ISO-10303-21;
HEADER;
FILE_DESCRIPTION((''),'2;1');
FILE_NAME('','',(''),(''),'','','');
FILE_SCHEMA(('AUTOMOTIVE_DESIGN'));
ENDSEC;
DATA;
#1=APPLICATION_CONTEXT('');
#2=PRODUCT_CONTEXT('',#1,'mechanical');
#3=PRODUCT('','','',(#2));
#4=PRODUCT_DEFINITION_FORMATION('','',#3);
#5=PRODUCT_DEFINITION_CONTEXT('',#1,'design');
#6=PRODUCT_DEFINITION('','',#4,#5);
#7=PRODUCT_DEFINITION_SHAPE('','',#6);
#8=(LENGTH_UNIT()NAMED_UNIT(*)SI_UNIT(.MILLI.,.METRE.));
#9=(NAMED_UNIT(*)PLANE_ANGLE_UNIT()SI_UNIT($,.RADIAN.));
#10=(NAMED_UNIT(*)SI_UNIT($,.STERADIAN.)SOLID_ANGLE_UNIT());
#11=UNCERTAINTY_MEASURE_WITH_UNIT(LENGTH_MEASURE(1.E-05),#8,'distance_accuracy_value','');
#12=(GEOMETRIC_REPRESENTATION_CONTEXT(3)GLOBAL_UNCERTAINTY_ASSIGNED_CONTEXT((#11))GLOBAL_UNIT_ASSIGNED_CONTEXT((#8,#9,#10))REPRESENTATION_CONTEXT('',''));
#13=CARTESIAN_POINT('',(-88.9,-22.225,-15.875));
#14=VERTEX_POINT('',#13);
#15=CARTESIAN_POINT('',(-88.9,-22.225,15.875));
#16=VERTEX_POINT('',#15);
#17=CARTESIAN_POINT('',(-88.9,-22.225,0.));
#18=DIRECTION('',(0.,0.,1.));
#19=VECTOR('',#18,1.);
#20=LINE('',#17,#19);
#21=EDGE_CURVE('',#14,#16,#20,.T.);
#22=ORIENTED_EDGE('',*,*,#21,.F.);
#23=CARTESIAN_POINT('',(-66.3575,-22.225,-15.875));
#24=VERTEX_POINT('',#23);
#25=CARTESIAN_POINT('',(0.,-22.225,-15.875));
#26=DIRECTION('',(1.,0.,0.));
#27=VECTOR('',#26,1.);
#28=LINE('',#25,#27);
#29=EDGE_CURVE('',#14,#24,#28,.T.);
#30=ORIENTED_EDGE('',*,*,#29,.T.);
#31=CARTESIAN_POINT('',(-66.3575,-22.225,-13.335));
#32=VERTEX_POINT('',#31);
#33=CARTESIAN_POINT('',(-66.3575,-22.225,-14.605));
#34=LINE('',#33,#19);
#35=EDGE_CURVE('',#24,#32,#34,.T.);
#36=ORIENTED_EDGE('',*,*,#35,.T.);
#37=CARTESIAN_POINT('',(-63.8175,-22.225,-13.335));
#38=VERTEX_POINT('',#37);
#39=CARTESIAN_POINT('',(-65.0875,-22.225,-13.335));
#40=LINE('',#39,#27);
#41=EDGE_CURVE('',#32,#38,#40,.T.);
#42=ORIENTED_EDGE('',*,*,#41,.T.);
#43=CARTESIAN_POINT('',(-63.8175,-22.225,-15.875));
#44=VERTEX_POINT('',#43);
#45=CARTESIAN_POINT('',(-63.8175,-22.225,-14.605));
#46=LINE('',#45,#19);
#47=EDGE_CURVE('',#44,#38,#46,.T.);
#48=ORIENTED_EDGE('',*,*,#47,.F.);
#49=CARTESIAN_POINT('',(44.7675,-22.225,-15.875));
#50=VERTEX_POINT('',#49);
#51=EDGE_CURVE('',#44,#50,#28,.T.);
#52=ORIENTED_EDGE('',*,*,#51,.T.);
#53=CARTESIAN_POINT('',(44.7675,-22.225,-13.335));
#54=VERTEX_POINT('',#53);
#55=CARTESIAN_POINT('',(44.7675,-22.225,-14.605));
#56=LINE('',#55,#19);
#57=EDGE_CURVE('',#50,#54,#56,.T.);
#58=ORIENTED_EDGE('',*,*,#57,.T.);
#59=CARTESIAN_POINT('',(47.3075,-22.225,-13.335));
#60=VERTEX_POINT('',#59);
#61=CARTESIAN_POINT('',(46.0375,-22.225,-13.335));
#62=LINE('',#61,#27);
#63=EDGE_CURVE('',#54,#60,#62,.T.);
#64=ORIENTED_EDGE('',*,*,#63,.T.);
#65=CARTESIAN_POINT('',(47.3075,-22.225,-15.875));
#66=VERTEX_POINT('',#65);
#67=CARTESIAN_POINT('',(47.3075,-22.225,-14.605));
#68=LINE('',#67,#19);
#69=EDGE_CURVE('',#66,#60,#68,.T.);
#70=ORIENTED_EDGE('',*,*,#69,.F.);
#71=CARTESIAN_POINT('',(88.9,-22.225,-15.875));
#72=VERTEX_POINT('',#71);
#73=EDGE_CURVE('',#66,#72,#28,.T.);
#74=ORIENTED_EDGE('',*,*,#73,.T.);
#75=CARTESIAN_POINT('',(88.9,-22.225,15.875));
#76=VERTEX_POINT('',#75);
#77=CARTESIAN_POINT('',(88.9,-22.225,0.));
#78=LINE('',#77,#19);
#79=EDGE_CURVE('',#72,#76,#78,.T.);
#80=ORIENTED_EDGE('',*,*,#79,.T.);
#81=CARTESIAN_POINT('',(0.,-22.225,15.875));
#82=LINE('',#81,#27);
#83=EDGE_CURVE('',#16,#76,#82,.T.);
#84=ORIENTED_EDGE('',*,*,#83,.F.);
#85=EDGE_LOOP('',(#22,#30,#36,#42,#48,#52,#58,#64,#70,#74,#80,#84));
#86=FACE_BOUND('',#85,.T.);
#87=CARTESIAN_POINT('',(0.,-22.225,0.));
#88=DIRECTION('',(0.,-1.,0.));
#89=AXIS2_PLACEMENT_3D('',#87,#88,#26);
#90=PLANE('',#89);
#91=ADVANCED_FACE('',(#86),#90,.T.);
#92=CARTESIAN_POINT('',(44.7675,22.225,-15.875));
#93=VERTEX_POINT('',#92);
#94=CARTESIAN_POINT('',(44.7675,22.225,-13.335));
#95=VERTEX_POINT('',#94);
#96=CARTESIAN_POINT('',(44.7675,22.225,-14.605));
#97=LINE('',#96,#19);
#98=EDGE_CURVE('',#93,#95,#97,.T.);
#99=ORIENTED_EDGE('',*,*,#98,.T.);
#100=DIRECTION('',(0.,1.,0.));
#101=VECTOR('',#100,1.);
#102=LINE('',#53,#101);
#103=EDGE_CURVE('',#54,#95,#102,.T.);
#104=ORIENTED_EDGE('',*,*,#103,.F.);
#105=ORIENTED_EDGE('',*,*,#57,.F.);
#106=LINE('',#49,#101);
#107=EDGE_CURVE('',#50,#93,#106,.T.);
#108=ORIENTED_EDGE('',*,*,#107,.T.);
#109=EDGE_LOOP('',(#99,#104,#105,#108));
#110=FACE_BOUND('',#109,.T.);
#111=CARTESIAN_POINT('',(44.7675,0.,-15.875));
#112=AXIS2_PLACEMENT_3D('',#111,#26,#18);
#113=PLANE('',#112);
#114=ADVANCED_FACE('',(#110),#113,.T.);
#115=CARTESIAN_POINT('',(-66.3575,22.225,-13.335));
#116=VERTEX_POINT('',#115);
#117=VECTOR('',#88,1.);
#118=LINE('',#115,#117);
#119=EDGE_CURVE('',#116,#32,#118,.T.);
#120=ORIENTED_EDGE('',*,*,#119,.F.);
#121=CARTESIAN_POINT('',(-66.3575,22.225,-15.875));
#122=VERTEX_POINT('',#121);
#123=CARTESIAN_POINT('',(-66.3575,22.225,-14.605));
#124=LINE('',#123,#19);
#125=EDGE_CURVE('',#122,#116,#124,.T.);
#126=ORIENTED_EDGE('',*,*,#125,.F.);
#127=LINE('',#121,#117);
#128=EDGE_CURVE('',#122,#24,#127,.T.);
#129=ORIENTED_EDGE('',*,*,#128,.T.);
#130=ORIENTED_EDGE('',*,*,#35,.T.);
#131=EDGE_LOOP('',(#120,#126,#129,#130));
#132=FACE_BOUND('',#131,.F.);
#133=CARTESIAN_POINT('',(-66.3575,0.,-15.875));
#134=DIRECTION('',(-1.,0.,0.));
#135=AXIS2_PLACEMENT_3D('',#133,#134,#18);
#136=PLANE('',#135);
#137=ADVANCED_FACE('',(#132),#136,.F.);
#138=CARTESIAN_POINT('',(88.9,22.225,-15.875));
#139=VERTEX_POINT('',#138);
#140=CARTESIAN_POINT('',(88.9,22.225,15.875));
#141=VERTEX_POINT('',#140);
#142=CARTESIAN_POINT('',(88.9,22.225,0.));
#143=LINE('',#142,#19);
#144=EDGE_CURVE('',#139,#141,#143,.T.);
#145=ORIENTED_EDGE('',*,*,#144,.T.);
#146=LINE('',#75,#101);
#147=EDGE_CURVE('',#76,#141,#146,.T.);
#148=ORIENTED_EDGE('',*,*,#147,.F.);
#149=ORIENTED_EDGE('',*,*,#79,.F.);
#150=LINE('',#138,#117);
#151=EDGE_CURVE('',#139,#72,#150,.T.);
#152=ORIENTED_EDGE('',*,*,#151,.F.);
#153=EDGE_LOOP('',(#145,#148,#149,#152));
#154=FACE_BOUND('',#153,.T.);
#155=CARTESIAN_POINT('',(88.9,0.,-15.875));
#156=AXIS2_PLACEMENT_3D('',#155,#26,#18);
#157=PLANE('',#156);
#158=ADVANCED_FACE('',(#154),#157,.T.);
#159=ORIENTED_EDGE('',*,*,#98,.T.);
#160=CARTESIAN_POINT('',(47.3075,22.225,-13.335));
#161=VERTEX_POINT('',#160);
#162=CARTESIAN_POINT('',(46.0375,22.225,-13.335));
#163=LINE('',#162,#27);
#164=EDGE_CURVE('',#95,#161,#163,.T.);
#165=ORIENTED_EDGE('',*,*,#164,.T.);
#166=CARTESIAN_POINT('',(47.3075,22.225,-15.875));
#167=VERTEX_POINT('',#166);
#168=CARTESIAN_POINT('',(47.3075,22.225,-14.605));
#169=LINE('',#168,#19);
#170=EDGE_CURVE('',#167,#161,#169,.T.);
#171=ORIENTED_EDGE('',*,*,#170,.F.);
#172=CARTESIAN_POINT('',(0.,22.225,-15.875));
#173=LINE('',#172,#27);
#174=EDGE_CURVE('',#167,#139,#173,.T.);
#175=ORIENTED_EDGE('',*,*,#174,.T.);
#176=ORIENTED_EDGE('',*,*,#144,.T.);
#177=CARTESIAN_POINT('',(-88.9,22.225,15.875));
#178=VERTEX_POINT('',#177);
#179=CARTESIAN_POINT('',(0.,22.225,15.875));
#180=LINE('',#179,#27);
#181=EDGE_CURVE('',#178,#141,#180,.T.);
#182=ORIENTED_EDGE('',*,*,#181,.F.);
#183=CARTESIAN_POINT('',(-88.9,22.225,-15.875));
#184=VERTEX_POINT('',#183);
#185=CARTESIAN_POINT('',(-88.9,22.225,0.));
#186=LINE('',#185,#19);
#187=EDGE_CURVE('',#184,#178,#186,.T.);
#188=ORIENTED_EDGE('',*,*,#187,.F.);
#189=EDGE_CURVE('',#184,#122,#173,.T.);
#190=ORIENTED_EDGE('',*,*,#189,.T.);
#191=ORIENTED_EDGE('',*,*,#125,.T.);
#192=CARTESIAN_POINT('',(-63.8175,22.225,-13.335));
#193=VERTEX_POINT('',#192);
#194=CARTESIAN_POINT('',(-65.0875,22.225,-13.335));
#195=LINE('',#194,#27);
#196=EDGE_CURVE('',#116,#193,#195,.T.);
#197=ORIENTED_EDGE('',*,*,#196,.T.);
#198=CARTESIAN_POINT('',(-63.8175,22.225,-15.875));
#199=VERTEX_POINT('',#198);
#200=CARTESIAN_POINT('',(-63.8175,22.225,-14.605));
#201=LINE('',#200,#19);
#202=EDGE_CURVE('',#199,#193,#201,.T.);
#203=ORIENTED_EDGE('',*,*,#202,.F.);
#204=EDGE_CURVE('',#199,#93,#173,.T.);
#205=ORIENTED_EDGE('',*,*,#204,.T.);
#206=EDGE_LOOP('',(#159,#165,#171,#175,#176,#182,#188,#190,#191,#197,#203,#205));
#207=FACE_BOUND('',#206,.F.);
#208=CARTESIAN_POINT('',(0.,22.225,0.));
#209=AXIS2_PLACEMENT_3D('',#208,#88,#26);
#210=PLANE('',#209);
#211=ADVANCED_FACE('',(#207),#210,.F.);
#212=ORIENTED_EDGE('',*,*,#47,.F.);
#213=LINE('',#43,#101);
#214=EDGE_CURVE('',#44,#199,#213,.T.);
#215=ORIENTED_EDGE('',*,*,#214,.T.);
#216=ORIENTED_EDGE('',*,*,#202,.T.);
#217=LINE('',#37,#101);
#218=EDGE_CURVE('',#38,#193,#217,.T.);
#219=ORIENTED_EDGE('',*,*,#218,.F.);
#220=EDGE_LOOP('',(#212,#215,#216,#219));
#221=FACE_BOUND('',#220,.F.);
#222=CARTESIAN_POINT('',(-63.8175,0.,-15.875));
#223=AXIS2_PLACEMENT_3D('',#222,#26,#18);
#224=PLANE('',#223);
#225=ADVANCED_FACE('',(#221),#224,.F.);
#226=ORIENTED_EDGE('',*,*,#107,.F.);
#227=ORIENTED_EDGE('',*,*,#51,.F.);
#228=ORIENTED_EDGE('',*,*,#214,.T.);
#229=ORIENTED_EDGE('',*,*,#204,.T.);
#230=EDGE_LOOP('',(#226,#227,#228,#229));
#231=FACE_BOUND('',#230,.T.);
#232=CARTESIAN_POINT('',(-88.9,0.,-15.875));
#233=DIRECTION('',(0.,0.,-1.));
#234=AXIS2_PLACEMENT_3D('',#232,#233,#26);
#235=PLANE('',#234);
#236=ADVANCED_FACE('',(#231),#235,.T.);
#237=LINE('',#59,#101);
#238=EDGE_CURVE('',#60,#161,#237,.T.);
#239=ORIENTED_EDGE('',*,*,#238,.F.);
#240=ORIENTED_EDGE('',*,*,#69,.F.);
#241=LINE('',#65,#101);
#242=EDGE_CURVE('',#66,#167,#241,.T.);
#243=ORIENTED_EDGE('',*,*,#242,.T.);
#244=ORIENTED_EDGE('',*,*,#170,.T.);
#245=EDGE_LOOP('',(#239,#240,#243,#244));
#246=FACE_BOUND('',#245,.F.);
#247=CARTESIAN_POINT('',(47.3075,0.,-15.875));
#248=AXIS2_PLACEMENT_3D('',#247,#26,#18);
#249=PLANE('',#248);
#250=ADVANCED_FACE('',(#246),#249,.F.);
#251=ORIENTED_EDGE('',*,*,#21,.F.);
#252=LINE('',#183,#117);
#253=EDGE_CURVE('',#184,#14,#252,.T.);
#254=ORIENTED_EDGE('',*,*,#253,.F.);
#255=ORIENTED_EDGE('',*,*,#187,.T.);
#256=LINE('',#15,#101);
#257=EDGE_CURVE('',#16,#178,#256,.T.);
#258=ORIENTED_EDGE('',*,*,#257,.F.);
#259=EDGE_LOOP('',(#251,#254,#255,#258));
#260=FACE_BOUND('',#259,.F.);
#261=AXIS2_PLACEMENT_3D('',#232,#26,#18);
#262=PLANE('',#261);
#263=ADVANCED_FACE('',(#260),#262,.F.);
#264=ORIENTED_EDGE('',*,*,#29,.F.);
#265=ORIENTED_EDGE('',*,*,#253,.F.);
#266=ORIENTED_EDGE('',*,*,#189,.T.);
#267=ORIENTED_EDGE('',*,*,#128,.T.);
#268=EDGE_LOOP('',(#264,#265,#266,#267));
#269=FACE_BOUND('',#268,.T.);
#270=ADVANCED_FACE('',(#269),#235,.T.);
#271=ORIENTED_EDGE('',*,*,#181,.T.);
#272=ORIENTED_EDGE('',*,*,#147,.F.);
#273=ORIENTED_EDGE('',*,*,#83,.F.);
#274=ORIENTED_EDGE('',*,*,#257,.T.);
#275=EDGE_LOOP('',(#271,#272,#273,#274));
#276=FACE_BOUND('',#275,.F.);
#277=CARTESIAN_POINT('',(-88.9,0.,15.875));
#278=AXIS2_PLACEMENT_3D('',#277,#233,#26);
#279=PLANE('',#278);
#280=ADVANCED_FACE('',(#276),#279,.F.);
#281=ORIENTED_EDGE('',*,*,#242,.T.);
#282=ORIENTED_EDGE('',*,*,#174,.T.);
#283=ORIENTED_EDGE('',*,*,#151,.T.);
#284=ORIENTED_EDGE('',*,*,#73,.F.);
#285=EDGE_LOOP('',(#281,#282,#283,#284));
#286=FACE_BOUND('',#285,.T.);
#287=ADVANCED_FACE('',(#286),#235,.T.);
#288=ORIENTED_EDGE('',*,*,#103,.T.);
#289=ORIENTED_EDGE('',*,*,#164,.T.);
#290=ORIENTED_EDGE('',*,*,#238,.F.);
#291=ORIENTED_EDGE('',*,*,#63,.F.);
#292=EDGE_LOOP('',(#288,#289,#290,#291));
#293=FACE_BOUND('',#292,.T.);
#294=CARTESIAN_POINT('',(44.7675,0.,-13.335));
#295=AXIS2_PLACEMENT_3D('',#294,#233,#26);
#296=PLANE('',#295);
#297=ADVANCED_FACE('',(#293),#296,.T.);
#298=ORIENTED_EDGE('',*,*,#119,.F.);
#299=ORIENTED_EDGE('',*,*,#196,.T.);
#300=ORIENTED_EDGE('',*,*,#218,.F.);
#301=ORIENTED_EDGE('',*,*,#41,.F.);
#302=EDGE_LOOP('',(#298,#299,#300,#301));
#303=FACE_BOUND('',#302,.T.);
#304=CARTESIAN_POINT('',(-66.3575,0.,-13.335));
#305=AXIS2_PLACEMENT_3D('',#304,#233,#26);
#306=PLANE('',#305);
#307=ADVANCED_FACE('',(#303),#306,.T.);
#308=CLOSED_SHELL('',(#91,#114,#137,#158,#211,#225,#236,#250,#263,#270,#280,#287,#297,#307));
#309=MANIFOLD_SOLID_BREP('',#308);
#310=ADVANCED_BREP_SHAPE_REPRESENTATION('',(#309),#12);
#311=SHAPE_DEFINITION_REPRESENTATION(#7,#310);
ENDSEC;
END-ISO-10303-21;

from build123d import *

# Parameters (mm, degrees)
F0_W          = 177.8
F0_H          = 31.75
F4_DEPTH      = 22.225
F1_W          = 2.54
F1_H          = 2.54
F2_DEPTH      = 22.225
F2_DEPTH_BACK = 22.225


with BuildPart() as f4:
    # F0 (on Front) → F4 (new body, symmetric)
    with BuildSketch(Plane.XZ):
        Rectangle(F0_W, F0_H)
    extrude(amount=F4_DEPTH, both=True)

    # F1 (on Front) → F2 (cut, two sides)
    with BuildSketch(Plane.XZ) as f2_sk:
        with Locations((-65.0875, -14.605)):
            Rectangle(F1_W, F1_H)
        with Locations((46.0375, -14.605)):
            Rectangle(F1_W, F1_H)
    extrude(amount=F2_DEPTH, mode=Mode.SUBTRACT)
    extrude(f2_sk.sketch, amount=-F2_DEPTH_BACK, mode=Mode.SUBTRACT)


solid = f4.part
